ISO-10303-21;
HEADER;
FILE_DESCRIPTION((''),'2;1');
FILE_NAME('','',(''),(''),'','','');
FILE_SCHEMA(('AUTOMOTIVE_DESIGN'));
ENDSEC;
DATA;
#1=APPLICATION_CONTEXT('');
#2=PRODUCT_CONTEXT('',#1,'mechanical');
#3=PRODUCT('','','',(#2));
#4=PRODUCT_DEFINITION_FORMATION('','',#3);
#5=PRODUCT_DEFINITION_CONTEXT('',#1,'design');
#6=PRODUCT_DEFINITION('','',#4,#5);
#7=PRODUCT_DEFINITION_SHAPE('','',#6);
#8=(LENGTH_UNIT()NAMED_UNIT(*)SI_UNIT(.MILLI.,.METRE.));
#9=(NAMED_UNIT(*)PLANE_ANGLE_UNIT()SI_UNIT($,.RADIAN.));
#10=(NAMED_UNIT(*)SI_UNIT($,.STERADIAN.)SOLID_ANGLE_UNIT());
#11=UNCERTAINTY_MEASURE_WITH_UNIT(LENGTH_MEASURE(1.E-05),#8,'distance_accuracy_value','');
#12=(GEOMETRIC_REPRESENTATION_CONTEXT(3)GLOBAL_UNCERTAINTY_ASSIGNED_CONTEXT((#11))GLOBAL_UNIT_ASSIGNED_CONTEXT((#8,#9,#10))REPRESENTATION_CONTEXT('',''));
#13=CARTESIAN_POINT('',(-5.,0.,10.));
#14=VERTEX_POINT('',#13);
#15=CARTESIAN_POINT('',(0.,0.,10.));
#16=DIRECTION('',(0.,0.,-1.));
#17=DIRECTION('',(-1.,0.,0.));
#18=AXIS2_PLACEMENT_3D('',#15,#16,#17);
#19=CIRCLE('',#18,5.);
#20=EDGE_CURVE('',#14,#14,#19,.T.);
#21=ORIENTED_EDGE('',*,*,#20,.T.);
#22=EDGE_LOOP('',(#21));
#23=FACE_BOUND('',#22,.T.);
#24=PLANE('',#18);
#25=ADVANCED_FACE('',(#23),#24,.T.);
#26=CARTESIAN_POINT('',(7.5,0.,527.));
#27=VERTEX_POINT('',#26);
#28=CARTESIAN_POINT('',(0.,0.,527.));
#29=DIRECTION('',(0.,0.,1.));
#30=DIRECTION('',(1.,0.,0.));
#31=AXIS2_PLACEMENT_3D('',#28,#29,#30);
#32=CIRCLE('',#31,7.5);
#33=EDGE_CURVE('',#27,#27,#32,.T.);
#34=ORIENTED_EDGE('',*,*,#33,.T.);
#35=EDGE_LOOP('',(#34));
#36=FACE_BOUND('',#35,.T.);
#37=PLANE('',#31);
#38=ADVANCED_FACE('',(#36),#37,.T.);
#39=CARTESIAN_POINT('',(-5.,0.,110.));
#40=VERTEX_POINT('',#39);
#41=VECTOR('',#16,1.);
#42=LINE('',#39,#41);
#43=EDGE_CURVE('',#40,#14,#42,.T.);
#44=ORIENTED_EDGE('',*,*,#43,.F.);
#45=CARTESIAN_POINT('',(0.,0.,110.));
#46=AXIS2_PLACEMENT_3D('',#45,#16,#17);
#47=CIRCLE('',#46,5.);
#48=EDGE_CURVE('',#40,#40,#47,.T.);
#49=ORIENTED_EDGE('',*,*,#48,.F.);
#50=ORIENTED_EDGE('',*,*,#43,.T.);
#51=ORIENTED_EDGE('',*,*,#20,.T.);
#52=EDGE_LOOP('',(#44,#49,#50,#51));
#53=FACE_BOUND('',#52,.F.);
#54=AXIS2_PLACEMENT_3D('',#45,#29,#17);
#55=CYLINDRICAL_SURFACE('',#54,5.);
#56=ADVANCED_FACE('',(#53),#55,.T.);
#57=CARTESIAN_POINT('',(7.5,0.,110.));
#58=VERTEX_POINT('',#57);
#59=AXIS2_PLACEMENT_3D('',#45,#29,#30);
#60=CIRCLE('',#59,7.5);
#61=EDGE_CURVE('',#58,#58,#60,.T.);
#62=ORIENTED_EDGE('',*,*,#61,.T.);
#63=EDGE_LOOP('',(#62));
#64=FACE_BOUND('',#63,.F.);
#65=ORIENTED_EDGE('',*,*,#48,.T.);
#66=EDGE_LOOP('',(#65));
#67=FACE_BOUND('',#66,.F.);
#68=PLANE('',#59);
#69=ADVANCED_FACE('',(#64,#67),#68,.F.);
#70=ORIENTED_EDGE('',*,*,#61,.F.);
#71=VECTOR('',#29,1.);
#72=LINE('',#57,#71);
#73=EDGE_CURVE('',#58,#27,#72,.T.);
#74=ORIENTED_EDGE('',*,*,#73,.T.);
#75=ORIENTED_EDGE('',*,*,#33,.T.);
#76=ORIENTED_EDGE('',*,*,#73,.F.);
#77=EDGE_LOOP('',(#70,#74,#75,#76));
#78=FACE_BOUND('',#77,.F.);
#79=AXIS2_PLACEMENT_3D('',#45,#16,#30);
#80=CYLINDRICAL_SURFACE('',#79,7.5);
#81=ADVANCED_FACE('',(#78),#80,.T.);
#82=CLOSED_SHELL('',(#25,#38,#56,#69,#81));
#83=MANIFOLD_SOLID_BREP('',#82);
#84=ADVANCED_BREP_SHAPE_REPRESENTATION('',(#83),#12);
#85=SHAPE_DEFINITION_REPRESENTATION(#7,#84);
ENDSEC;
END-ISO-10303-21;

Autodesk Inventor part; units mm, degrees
ref_plane "YZ Plane" through (0, 0, 0) normal (1, 0, 0) x (0, 1, 0)
ref_plane "XZ Plane" through (0, 0, 0) normal (0, 1, 0) x (-1, 0, 0)
ref_plane "XY Plane" through (0, 0, 0) normal (0, 0, 1) x (1, 0, 0)
sketch "Sketch1" plane through (0, 0, 0) normal (0, 0, 1) x (1, 0, 0)
  circle A0 centre (0, 0) radius 25
  dimension "d0" = 50
extrude "Extrusion1" add sketch "Sketch1" along normal blind 10
sketch "Sketch2" plane through (0, 0, 10) normal (0, 0, 1) x (1, 0, 0)
  circle A0 centre (0, 0) radius 6.5
  dimension "d3" = 13
extrude "Extrusion2" add sketch "Sketch2" along normal blind 100
fillet "Fillet1" radius 1 1 edges at (-6.5, 0, 10)
sketch "Sketch4" plane through (0, 0, 0) normal (0, 0, -1) x (-1, 0, 0)
  arc A0 (19.3649, 5) -> (5, 19.3649) centre (0, 0) ccw
  line L0 (2.5, 17.4284) -> (2.5, 9.4868)
  line L1 (9.4868, 2.5) -> (17.4284, 2.5)
  arc A1 (5, 19.3649) -> (2.5, 17.4284) centre (4.5, 17.4284) ccw
  arc A2 (17.4284, 2.5) -> (19.3649, 5) centre (17.4284, 4.5) ccw
  arc A3 (2.5, 8.3666) -> (2.5153, 8.1193) centre (4.5, 8.3666) ccw
  arc A4 (8.1193, 2.5153) -> (8.3666, 2.5) centre (8.3666, 4.5) ccw
  arc A5 (7.6798, 3.6429) -> (3.6429, 7.6798) centre (0, 0) ccw
  arc A6 (2.5, 9.4868) -> (3.6429, 7.6798) centre (4.5, 9.4868) ccw
  arc A7 (7.6798, 3.6429) -> (9.4868, 2.5) centre (9.4868, 4.5) ccw
  point P0 (2.5, 19.8431)
  point P1 (19.8431, 2.5)
  point P2 (2.5, 7.0711)
  point P3 (7.0711, 2.5)
extrude "Extrusion3" cut sketch "Sketch4" against normal blind 10
pattern_circular "Circular Pattern1" count 4 over 360 about axis through (0, 0, 11) along (0, 0, -1) of "Extrusion3"
sketch "Sketch7" plane through (0, 0, 110) normal (0, 0, 1) x (1, 0, 0)
  circle A0 centre (0, 0) radius 7.5
  dimension "d38" = 15
extrude "Extrusion5" add sketch "Sketch7" along normal blind 417
sketch "Sketch8" plane through (0, 0, 527) normal (0, 0, 1) x (1, 0, 0)
  circle A0 centre (0, 0) radius 6.5
  dimension "d41" = 13
extrude "Extrusion6" add sketch "Sketch8" along normal blind 10
sketch "Sketch9" plane through (0, 0, 537) normal (0, 0, 1) x (1, 0, 0)
  circle A0 centre (0, 0) radius 10
  dimension "d44" = 20
extrude "Extrusion7" add sketch "Sketch9" along normal blind 2.5
thread "Thread1" size "M15x1.5" class "6g" standard "ANSI Metric M Profile" length 417
sketch "Sketch10" plane through (0, 0, 539.5) normal (0, 0, 1) x (1, 0, 0)
  circle A0 centre (0, 0) radius 10
extrude "Extrusion8" cut sketch "Sketch10" against normal blind 12.5
sketch "Sketch11" plane through (0, 0, 0) normal (0, 0, -1) x (-1, 0, 0)
  circle A0 centre (0, 0) radius 25 projected
  circle A1 centre (0, 0) radius 25
extrude "Extrusion9" cut sketch "Sketch11" against normal blind 110
sketch "Sketch12" plane through (0, 0, 110) normal (0, 0, -1) x (-1, 0, 0)
  circle A0 centre (0, 0) radius 5
  dimension "d53" = 10
extrude "Extrusion10" add sketch "Sketch12" along normal blind 100
properties part number "leadscrew_latest" material "Steel, Alloy"
